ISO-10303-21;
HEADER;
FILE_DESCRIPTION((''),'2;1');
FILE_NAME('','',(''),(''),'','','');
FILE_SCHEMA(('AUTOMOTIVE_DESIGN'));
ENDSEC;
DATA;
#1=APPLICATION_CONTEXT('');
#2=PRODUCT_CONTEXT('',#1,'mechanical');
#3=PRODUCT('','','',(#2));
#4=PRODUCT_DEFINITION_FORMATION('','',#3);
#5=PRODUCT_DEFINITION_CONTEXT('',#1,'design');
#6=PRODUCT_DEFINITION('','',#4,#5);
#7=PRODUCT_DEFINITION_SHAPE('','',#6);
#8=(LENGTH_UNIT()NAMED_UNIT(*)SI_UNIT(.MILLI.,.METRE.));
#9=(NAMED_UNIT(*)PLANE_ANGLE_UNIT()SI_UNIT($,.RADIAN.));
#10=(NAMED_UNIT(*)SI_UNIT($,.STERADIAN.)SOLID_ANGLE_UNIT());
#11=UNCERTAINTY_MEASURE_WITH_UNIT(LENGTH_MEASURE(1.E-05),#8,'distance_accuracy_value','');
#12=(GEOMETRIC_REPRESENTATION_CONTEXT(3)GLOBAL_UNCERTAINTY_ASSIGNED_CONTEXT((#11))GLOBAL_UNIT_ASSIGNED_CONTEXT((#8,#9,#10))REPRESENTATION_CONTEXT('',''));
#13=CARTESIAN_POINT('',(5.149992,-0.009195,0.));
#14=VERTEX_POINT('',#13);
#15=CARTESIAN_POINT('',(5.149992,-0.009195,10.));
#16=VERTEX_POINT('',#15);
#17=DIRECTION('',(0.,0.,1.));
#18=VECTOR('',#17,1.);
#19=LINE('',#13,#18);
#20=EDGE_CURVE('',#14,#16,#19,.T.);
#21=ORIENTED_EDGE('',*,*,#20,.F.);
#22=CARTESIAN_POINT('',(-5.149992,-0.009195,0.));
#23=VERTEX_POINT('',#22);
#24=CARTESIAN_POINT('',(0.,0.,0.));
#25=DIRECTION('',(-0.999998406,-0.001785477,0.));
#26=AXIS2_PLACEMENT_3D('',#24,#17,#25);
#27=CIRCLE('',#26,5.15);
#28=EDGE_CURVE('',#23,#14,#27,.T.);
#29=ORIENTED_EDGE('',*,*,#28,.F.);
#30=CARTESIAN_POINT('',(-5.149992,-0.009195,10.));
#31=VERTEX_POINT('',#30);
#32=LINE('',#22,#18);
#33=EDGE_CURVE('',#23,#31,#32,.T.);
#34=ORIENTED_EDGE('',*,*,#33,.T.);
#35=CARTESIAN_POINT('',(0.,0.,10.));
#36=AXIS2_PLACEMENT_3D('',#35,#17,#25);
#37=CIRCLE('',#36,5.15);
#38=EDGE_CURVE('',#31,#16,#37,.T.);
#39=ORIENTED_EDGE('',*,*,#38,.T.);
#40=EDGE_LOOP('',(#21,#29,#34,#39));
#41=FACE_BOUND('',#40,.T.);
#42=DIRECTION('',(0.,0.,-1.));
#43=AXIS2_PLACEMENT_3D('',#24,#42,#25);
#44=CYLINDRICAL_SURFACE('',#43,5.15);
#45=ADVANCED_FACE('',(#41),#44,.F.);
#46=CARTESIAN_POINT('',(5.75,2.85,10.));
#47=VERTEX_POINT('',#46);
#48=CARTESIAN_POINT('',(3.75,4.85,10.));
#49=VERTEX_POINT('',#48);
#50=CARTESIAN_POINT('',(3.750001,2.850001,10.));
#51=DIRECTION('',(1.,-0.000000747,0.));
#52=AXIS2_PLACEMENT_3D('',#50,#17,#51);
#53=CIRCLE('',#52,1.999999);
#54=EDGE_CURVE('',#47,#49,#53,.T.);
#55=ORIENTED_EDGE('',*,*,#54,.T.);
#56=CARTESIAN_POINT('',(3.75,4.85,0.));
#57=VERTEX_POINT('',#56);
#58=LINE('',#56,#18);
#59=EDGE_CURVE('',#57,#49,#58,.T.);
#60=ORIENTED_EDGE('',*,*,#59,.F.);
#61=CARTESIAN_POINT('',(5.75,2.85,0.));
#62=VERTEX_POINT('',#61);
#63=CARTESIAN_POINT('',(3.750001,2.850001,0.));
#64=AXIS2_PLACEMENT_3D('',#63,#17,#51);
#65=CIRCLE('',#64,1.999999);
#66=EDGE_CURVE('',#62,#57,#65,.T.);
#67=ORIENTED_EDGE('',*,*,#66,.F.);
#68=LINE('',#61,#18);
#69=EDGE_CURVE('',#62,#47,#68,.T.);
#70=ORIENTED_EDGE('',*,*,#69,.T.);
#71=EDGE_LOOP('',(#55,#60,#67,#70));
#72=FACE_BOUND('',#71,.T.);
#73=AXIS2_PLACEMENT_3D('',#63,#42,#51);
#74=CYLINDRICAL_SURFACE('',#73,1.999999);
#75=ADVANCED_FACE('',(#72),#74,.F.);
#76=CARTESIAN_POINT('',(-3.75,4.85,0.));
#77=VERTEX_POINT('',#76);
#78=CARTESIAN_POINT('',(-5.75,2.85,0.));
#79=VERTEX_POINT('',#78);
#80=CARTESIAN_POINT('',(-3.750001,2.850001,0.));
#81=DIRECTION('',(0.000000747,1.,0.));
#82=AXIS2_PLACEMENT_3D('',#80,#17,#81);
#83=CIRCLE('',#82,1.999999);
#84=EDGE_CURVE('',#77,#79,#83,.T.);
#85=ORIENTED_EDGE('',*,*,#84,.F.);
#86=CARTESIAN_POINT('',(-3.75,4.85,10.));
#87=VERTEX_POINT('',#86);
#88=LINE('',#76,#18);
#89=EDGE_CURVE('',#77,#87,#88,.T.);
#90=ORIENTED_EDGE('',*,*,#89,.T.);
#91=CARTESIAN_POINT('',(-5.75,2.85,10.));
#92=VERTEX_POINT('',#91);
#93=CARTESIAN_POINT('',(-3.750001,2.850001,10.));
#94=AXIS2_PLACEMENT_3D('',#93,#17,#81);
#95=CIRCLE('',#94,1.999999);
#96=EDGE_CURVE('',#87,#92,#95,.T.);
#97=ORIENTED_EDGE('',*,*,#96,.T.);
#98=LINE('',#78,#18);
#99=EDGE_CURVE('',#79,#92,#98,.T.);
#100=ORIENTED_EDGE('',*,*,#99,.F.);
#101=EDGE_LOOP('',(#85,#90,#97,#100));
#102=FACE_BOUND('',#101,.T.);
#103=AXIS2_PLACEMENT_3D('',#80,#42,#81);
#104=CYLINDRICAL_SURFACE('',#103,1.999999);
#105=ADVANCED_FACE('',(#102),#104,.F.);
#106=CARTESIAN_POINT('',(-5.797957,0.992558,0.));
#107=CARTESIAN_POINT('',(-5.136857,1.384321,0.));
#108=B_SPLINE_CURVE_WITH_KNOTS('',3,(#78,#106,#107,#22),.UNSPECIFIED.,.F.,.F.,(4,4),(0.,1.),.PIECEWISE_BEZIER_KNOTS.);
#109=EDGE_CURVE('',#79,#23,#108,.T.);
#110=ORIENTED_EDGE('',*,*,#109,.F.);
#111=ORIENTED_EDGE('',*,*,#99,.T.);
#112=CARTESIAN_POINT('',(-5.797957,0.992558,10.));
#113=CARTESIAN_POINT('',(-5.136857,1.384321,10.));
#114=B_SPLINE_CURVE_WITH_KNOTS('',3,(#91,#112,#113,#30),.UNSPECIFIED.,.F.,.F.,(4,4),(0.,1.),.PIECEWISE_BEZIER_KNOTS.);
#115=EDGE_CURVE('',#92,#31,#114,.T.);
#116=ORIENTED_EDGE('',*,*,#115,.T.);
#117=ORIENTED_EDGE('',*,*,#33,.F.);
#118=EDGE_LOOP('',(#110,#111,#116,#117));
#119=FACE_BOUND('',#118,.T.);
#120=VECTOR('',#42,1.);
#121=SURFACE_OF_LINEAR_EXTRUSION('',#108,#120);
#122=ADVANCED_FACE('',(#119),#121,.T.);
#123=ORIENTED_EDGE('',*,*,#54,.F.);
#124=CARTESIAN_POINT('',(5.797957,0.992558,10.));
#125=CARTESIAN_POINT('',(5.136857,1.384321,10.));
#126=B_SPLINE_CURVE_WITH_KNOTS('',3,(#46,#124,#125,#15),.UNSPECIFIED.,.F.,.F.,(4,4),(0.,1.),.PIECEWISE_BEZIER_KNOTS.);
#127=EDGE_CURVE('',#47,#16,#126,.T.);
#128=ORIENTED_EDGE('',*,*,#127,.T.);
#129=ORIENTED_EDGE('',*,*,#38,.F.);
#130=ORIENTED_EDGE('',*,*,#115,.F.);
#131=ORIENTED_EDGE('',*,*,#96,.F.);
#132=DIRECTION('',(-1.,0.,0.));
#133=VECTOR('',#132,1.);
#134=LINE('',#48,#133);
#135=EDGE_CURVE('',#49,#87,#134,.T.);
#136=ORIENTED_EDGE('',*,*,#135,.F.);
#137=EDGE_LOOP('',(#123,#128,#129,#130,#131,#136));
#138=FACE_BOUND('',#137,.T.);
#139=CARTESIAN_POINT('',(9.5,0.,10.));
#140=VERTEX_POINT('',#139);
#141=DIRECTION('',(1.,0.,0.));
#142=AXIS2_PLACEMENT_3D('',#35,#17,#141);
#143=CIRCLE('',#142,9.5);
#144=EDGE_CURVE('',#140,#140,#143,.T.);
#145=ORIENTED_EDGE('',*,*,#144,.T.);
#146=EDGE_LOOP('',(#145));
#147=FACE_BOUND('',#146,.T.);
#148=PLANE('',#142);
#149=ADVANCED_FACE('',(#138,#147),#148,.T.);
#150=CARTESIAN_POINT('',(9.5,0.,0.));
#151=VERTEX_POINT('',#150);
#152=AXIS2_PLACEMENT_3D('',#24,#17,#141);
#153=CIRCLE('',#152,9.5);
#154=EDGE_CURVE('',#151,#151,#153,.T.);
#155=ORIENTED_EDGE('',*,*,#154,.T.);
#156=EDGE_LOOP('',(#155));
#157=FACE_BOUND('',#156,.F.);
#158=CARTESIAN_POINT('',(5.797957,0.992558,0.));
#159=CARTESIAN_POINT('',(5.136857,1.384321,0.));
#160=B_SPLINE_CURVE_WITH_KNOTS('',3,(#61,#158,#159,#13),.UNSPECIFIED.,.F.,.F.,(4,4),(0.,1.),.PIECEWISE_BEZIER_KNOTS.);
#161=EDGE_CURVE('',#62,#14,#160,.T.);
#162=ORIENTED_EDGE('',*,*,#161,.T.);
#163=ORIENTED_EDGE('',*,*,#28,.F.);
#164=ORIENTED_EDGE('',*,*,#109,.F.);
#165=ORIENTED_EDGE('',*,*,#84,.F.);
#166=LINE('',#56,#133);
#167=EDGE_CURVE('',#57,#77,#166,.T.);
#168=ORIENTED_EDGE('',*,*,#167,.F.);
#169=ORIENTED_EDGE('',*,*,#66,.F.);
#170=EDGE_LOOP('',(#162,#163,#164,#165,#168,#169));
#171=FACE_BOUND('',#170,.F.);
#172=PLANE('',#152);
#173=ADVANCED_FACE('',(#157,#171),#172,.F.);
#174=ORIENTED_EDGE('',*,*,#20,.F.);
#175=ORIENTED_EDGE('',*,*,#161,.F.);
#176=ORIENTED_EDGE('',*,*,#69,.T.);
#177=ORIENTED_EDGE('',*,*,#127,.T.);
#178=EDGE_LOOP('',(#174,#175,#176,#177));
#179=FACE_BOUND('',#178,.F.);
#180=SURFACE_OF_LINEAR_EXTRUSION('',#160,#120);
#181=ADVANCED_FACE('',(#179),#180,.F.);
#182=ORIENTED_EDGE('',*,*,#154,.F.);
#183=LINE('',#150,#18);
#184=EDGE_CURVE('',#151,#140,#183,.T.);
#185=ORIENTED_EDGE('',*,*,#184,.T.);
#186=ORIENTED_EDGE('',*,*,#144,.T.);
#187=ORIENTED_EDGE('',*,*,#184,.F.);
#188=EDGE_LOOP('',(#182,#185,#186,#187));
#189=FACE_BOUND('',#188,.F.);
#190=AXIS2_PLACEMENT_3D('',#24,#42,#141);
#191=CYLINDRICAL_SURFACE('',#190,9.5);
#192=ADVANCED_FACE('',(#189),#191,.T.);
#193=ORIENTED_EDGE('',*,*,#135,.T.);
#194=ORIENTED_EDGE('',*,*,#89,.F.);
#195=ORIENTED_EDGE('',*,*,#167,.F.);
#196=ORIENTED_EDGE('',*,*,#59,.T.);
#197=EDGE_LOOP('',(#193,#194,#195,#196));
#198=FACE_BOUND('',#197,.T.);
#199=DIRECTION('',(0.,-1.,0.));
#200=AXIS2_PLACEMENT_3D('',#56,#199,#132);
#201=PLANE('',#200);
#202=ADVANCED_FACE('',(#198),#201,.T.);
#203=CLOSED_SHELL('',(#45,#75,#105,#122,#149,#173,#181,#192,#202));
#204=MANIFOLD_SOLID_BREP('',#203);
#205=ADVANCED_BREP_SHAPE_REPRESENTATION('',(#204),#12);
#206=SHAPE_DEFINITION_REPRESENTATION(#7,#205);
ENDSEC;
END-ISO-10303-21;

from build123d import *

# Parameters (mm, degrees)
SKETCH_R  = 9.5
PAD_DEPTH = 10


with BuildPart() as part:
    # Sketch → Pad (new body)
    with BuildSketch(Plane.XY):
        Circle(SKETCH_R)
        with BuildLine():
            ThreePointArc((-3.75, 4.85), (-5.164214, 4.264214), (-5.75, 2.85))
            add(Edge.make_bspline(
                [(-5.75, 2.85), (-5.797957, 0.992558), (-5.136857, 1.384321), (-5.149992, -0.009195)],
                knots=[0, 0, 0, 0, 1, 1, 1, 1], degree=3))
            ThreePointArc((-5.149992, -0.009195), (0, -5.15), (5.149992, -0.009195))
            add(Edge.make_bspline(
                [(5.75, 2.85), (5.797957, 0.992558), (5.136857, 1.384321), (5.149992, -0.009195)],
                knots=[0, 0, 0, 0, 1, 1, 1, 1], degree=3))
            ThreePointArc((5.75, 2.85), (5.164214, 4.264214), (3.75, 4.85))
            Line((3.75, 4.85), (-3.75, 4.85))
        make_face(mode=Mode.SUBTRACT)
    extrude(amount=PAD_DEPTH)


solid = part.part
